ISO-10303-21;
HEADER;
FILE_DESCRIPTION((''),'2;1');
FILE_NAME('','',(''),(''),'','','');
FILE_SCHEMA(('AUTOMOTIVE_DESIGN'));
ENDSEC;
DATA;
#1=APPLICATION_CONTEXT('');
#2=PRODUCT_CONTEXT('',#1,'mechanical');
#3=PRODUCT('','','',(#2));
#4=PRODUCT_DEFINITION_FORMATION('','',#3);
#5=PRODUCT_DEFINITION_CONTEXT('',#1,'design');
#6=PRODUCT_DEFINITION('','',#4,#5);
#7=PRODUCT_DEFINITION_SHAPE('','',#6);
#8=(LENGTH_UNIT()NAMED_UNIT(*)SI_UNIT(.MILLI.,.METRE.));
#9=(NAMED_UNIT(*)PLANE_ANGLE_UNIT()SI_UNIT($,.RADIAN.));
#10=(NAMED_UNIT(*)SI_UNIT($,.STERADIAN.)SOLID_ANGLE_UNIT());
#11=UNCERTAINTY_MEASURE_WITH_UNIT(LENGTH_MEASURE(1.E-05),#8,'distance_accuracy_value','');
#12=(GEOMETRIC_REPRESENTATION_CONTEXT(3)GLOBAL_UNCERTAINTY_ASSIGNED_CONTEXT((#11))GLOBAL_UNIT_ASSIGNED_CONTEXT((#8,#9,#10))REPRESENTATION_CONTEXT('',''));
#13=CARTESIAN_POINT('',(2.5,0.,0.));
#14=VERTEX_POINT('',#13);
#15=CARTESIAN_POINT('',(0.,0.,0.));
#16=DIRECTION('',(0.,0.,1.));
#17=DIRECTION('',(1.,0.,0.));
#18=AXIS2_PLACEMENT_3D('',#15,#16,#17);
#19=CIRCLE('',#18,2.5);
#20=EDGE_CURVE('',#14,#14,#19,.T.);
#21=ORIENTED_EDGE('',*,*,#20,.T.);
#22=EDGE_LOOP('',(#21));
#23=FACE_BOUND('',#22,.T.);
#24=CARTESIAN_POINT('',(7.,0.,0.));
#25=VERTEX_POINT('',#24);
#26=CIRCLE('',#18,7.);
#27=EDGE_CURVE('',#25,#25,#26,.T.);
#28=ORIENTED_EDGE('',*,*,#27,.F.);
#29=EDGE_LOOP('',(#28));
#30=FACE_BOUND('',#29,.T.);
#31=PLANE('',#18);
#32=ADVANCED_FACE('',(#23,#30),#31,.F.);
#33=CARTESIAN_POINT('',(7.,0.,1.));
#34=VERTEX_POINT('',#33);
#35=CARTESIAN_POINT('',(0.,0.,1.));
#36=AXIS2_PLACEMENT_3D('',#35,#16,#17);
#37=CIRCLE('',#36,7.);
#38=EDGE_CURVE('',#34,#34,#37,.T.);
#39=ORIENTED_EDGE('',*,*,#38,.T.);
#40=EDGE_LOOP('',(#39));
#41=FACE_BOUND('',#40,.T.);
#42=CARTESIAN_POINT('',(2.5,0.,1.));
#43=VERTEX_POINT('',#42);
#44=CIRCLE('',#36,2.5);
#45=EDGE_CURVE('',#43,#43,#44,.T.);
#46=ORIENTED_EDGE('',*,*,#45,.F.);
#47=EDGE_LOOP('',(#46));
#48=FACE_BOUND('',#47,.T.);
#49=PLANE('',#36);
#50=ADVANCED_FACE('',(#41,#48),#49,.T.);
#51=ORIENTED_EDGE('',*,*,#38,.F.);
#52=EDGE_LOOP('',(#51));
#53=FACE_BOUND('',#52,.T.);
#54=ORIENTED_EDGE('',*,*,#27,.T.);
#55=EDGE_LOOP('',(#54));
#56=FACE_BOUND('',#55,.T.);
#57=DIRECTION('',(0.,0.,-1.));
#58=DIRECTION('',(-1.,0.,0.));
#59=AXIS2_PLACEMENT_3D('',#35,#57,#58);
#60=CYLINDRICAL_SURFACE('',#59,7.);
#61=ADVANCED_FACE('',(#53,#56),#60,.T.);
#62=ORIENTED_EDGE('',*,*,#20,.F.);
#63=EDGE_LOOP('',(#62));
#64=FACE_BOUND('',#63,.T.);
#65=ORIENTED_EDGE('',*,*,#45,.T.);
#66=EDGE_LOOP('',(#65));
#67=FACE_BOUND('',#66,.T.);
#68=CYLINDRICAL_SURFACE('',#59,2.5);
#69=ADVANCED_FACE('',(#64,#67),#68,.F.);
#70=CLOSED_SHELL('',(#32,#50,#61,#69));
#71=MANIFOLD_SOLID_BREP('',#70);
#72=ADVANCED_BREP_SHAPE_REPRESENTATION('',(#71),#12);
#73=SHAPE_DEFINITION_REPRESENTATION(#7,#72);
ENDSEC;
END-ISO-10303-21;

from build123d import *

# Parameters (mm, degrees)
ESBO_O1_R                = 7
ESBO_O1_R_2              = 2.5
RESSALTO_EXTRUS_O1_DEPTH = 1


with BuildPart() as part:
    # Esboço1 → Ressalto-extrusão1 (new body)
    with BuildSketch(Plane.XY):
        Circle(ESBO_O1_R)
        Circle(ESBO_O1_R_2, mode=Mode.SUBTRACT)
    extrude(amount=RESSALTO_EXTRUS_O1_DEPTH)


solid = part.part
